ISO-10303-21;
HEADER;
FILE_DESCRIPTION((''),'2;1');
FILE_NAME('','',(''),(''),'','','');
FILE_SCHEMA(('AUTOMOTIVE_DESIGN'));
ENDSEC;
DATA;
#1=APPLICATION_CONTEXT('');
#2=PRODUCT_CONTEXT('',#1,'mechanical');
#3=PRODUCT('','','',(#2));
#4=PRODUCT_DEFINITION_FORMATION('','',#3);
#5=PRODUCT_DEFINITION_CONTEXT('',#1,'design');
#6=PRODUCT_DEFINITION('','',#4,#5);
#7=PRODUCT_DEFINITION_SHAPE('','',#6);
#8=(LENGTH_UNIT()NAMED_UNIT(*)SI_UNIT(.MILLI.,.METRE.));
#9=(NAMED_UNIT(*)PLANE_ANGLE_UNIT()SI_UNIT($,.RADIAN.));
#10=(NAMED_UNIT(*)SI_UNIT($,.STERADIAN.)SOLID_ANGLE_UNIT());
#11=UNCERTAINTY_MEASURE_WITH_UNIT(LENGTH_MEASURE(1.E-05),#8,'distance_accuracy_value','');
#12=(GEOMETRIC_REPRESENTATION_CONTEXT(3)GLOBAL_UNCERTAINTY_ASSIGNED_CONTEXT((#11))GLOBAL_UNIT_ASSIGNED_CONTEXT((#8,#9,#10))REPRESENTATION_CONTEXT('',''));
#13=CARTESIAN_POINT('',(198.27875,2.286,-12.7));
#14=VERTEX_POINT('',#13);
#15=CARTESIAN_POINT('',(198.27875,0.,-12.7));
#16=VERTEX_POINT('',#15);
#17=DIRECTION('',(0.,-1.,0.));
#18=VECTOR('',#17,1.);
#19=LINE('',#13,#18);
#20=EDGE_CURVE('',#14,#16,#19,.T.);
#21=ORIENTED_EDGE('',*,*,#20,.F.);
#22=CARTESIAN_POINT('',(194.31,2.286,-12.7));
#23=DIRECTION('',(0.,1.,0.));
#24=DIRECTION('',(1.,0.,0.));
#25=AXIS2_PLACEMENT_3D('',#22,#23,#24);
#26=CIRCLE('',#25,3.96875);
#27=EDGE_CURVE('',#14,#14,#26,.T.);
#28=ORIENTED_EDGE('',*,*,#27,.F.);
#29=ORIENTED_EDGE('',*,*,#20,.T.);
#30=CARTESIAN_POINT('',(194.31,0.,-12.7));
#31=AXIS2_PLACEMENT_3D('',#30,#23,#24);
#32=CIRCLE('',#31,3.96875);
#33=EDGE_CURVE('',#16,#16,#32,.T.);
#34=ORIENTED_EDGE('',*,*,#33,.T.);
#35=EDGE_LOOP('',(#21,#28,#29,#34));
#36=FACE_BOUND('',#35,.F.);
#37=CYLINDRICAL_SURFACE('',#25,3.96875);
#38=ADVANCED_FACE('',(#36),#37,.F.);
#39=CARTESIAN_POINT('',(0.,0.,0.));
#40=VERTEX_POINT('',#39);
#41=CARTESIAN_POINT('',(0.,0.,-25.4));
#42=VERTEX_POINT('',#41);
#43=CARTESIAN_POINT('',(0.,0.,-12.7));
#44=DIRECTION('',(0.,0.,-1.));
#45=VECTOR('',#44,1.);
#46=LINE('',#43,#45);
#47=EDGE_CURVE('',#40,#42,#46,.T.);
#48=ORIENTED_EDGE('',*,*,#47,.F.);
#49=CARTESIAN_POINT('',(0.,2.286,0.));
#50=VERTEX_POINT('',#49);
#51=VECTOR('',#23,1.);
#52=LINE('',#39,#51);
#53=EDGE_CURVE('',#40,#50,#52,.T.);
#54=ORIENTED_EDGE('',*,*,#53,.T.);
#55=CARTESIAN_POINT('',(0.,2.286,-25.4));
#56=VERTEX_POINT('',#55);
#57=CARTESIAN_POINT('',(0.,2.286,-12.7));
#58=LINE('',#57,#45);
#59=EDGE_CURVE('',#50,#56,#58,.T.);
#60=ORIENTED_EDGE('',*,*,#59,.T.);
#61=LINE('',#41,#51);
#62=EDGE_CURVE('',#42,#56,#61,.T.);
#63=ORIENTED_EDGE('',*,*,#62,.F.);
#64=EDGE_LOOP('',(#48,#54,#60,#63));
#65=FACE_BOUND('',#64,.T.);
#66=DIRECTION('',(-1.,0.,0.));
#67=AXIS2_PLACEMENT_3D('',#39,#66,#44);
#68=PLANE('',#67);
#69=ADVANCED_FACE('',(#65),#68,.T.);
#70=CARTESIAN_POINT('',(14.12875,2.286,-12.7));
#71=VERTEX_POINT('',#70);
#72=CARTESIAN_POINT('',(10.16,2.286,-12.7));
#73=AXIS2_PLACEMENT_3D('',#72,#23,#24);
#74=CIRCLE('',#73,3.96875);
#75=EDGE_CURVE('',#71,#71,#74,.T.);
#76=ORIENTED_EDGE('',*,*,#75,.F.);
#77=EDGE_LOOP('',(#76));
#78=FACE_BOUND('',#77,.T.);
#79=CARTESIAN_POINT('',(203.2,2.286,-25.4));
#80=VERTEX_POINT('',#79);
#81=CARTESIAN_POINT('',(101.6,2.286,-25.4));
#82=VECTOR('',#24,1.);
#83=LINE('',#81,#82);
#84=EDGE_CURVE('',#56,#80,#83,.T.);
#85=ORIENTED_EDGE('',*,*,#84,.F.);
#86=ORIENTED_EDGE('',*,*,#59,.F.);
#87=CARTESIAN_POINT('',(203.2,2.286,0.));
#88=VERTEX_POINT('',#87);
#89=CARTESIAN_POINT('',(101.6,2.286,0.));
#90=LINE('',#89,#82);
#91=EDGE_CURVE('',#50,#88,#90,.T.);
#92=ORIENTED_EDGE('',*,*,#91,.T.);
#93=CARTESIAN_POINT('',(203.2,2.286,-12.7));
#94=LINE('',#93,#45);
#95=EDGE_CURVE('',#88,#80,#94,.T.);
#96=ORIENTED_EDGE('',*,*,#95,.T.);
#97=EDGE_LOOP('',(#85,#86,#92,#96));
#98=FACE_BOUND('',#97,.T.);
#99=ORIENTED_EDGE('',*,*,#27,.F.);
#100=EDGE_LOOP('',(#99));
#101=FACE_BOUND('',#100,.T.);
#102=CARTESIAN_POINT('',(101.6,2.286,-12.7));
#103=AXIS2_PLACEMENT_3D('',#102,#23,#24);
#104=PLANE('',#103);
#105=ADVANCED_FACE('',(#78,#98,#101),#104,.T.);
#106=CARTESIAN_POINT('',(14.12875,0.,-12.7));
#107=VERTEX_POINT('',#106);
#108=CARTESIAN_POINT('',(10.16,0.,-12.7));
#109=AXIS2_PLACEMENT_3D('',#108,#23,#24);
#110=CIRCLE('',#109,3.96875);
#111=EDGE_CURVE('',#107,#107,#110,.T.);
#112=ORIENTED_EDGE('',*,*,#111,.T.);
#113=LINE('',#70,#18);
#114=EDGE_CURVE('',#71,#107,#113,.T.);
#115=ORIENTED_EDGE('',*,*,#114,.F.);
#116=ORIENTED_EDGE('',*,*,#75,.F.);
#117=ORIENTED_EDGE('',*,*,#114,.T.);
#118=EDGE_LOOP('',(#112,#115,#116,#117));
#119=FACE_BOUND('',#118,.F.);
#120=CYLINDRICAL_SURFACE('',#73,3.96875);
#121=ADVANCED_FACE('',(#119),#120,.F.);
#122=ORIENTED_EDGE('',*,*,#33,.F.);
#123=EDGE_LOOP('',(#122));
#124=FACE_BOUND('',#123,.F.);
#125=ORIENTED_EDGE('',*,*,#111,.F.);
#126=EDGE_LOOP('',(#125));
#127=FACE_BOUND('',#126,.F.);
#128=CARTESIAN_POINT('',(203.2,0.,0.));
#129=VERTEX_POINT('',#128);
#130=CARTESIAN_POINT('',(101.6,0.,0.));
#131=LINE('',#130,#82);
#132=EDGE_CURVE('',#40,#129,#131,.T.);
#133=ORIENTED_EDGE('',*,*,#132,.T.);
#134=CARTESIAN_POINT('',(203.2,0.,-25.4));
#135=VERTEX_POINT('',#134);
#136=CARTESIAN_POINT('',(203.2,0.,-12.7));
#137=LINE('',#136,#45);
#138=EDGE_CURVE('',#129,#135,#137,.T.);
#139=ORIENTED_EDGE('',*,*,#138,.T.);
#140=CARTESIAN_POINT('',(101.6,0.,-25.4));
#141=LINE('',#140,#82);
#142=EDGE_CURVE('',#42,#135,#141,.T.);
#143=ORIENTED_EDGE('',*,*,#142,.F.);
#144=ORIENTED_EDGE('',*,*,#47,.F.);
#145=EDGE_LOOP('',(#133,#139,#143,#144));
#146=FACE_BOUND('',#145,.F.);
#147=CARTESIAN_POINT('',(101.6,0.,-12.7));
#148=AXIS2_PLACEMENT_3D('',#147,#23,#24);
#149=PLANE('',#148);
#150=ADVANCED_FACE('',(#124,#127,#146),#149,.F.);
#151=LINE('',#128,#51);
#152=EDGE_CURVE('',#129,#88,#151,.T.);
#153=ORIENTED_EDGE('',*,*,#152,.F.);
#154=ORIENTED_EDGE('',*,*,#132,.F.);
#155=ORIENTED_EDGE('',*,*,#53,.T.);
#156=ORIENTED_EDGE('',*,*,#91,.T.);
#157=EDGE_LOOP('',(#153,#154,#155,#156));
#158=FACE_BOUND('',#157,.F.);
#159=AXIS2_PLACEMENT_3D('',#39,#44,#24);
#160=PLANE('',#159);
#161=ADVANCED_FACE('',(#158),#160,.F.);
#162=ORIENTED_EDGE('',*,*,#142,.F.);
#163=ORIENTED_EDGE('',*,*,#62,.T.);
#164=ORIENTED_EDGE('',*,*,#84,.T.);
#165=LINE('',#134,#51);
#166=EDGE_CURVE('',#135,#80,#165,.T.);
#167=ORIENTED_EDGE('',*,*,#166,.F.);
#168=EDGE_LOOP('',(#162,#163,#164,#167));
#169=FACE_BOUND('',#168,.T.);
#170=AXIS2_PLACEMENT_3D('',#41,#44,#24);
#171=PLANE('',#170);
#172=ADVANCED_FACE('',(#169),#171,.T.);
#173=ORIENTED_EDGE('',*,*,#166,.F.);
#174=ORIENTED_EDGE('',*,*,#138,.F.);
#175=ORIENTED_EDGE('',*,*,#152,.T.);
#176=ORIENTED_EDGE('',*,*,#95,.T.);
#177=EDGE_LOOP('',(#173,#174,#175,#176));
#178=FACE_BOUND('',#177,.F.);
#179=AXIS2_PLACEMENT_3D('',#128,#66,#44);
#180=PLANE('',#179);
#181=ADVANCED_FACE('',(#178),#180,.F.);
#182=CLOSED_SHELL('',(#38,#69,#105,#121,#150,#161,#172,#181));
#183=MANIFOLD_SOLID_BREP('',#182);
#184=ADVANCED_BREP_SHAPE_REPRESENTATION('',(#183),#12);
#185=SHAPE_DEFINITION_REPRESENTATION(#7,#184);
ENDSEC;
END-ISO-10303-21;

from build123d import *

# Parameters (mm, degrees)
SKETCH1_W           = 203.2
SKETCH1_H           = 25.4
BOSS_EXTRUDE1_DEPTH = 2.286
SKETCH2_R           = 3.96875
CUT_EXTRUDE1_DEPTH  = 3.286


with BuildPart() as part:
    # Sketch1 → Boss-Extrude1 (new body)
    with BuildSketch(Plane(origin=(0, 0, 0), x_dir=(1, 0, 0), z_dir=(0, 1, 0))):
        with Locations((101.6, 12.7)):
            Rectangle(SKETCH1_W, SKETCH1_H)
    extrude(amount=BOSS_EXTRUDE1_DEPTH)

    # Sketch2 → Cut-Extrude1 (cut, through all)
    with BuildSketch(Plane(origin=(0, 2.286, 0), x_dir=(1, 0, 0), z_dir=(0, 1, 0))):
        with Locations((10.16, 12.7)):
            Circle(SKETCH2_R)
        with Locations((194.31, 12.7)):
            Circle(SKETCH2_R)
    extrude(amount=-CUT_EXTRUDE1_DEPTH, mode=Mode.SUBTRACT)


solid = part.part
